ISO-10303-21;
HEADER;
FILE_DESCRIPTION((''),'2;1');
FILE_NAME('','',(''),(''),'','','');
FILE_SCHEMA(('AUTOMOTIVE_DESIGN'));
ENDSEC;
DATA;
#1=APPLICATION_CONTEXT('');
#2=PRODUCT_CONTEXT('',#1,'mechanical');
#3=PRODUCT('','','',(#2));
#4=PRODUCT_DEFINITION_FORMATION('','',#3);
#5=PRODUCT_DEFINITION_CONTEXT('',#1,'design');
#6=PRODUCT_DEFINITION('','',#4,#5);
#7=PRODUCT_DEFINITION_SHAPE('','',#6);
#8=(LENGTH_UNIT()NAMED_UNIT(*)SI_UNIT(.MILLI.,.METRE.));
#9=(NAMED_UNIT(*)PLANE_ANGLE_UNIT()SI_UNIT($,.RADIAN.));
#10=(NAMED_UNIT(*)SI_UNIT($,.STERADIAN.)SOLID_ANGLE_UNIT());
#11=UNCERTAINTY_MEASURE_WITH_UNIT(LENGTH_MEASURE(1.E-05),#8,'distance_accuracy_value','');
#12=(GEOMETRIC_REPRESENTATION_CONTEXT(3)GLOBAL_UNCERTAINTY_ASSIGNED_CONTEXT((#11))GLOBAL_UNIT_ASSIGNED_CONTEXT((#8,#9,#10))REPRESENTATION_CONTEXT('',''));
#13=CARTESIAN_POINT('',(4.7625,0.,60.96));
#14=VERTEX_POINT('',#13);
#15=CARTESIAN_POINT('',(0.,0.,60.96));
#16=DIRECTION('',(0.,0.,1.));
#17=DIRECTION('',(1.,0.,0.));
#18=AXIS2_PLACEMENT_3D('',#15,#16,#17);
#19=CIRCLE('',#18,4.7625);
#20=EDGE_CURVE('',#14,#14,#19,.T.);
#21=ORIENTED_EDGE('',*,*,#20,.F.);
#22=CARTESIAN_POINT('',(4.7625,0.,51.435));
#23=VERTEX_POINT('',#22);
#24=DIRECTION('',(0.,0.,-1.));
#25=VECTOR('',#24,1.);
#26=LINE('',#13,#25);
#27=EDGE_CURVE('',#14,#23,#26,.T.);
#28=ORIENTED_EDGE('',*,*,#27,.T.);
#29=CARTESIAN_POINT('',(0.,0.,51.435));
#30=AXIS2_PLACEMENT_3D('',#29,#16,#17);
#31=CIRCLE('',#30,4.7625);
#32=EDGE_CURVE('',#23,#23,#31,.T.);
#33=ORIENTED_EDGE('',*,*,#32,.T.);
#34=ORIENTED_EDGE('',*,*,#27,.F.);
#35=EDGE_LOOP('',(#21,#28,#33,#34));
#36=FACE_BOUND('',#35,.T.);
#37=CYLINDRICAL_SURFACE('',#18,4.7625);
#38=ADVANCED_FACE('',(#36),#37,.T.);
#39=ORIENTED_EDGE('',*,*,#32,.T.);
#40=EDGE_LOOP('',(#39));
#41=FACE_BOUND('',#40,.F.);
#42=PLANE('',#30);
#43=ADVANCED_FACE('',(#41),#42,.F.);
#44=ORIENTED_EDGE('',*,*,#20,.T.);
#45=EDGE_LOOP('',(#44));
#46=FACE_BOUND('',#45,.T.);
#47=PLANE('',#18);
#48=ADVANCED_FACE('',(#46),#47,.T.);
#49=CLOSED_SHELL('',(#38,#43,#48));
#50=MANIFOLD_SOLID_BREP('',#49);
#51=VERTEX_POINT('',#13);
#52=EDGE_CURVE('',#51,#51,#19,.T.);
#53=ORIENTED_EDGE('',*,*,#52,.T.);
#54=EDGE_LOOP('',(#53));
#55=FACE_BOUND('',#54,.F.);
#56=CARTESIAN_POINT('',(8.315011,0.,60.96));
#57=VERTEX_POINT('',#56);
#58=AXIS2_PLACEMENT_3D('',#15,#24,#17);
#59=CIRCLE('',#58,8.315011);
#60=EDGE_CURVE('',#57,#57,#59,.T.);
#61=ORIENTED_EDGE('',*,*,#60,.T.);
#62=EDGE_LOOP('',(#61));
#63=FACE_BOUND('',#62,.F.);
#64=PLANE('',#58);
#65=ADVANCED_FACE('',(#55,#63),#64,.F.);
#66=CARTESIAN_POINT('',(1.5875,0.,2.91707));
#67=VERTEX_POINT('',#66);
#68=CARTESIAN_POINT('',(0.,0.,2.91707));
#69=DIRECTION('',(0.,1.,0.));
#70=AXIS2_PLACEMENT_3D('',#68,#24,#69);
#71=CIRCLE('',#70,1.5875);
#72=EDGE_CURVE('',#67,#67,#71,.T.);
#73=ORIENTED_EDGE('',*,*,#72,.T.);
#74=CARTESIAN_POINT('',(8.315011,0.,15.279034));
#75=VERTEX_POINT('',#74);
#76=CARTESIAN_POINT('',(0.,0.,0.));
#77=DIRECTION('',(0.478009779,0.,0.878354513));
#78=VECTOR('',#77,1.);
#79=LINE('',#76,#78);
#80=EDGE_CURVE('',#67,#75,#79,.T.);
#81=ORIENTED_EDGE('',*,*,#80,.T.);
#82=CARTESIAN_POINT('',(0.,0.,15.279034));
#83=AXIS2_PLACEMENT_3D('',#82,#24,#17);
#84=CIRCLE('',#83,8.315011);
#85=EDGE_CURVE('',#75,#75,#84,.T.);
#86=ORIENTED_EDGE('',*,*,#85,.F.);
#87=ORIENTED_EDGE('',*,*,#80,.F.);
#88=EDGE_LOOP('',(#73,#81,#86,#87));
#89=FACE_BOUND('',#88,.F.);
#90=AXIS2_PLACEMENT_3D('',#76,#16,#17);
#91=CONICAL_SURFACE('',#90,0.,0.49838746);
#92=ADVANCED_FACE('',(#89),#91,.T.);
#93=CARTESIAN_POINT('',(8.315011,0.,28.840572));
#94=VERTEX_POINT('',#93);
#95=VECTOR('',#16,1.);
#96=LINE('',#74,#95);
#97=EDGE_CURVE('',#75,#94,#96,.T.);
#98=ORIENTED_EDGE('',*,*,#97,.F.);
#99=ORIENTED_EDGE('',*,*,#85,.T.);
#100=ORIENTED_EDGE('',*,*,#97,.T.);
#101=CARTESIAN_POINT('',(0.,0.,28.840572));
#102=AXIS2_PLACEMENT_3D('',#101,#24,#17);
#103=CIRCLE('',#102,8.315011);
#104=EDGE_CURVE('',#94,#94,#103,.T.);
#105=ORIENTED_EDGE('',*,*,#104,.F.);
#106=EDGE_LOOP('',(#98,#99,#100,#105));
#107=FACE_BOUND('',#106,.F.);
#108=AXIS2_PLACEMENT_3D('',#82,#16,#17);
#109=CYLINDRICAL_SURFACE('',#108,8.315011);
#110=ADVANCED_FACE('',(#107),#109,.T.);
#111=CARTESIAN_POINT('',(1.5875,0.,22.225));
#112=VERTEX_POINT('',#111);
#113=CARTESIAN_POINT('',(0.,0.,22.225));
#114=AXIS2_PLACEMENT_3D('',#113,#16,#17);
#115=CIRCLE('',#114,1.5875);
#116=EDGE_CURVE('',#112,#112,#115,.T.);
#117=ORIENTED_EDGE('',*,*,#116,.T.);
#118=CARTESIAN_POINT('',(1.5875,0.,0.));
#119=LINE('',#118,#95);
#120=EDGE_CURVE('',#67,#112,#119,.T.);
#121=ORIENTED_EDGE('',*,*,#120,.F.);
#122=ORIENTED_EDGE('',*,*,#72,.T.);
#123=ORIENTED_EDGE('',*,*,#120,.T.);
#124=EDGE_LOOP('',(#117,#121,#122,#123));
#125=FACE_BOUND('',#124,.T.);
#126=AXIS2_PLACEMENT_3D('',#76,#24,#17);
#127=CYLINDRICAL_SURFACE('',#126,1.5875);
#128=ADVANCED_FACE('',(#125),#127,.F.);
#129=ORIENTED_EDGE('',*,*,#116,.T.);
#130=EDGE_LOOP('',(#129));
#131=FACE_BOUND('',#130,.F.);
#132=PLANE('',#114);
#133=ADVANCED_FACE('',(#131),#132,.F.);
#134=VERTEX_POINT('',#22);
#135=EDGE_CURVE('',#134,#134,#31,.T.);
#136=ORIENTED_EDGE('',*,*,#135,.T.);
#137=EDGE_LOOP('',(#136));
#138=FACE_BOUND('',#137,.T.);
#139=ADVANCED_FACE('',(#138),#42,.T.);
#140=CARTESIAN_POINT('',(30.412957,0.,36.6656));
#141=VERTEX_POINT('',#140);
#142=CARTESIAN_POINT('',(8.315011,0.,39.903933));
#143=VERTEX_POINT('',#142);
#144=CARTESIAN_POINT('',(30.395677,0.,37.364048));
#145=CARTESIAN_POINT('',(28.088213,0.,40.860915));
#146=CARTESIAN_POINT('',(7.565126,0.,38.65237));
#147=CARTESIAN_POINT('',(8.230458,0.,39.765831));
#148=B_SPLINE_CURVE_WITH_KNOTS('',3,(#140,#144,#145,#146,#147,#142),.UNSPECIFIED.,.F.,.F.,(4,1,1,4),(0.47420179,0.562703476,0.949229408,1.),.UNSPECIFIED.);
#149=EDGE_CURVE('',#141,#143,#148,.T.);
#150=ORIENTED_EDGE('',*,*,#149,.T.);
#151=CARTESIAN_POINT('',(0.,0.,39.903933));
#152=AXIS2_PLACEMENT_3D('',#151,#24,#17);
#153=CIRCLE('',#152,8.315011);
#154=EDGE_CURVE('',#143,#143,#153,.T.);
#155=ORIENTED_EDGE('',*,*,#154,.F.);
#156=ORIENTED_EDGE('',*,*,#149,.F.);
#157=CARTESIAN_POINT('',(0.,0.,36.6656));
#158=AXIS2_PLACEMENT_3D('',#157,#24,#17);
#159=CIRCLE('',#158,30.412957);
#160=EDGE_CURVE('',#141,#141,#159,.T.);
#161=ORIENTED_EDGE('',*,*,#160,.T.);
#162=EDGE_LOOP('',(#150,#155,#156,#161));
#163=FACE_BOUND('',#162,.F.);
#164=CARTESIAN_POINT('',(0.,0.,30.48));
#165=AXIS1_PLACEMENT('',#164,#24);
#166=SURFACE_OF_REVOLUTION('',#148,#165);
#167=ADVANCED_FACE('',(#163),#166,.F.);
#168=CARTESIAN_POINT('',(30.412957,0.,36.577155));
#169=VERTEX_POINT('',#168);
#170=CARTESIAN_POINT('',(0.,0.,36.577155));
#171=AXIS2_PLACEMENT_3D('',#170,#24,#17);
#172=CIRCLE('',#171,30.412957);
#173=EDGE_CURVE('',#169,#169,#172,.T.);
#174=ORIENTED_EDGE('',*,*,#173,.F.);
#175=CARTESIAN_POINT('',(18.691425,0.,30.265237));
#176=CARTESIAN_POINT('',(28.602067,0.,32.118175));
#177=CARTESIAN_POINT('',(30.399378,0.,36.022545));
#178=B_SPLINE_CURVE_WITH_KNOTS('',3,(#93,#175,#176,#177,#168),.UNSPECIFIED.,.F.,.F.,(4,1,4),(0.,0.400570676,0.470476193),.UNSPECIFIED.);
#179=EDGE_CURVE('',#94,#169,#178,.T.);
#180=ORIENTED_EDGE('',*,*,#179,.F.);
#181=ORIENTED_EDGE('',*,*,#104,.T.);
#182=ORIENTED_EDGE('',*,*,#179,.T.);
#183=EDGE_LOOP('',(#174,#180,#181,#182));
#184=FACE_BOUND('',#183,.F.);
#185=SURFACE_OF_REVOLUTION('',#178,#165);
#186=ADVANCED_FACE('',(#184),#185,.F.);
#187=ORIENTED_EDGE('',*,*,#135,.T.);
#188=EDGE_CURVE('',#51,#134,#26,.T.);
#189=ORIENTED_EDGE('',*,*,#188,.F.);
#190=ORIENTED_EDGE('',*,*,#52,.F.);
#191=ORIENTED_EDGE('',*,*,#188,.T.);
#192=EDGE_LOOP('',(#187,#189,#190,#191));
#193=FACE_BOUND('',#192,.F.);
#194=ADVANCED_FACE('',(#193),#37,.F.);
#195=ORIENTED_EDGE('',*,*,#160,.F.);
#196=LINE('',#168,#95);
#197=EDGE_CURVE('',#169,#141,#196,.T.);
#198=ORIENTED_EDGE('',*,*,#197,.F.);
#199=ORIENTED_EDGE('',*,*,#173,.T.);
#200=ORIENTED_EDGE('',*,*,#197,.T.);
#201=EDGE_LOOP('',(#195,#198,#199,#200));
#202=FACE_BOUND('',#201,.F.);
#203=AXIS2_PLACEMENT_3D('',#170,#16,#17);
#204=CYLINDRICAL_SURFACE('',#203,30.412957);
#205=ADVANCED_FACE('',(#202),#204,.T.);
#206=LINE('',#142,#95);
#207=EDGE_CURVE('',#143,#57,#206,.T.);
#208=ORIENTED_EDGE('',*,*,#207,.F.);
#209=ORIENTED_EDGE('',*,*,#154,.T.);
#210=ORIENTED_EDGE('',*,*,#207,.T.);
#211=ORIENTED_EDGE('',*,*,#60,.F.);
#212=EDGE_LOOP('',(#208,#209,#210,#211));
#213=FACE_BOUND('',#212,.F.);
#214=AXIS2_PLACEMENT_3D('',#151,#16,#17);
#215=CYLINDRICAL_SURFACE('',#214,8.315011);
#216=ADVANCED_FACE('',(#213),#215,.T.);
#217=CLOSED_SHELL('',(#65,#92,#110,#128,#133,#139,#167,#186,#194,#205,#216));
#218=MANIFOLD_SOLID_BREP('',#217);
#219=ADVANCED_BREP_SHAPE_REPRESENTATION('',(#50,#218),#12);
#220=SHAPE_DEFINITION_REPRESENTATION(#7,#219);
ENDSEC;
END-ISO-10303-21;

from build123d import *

# Parameters (mm, degrees)
F2_R     = 4.7625
F3_DEPTH = 9.525
F4_DEPTH = 9.525
F5_R     = 1.5875
F6_DEPTH = 22.225


with BuildPart() as f1:
    # F0 (on Front) → F1 (revolve)
    with BuildSketch(Plane.XZ):
        with BuildLine():
            Line((0, 60.96), (0, 0))
            Line((0, 0), (8.315011056, 15.2790336204))
            Line((8.315011056, 15.2790336204), (8.315011056, 28.840571844))
            add(Edge.make_bspline(
                [(8.315011056, 28.840571844), (18.6914253173, 30.2652374729), (28.6020671273, 32.1181749891), (30.3993781488, 36.022545001), (30.4129573538, 36.577154624)],
                knots=[0, 0, 0, 0, 0.4005706761, 0.4704761927, 0.4704761927, 0.4704761927, 0.4704761927], degree=3))
            Line((30.4129573538, 36.577154624), (30.4129573538, 36.6655998046))
            add(Edge.make_bspline(
                [(30.4129573538, 36.6655998046), (30.3956767058, 37.3640475603), (28.0882131696, 40.8609150587), (7.5651257895, 38.6523696291), (8.2304579039, 39.7658310786), (8.315011056, 39.9039330631)],
                knots=[0.4742017901, 0.4742017901, 0.4742017901, 0.4742017901, 0.5627034759, 0.9492294083, 1, 1, 1, 1], degree=3))
            Line((8.315011056, 39.9039330631), (8.315011056, 60.96))
            Line((8.315011056, 60.96), (0, 60.96))
        make_face()
    revolve(axis=Axis((0, 0, 30.48), (0, 0, -1)))

    # F2 (on face) → F3 (cut)
    with BuildSketch(Plane.XY.offset(60.96)):
        Circle(F2_R)
    extrude(amount=-F3_DEPTH, mode=Mode.SUBTRACT)

    # F5 (on Top) → F6 (cut)
    with BuildSketch(Plane.XY):
        Circle(F5_R)
    extrude(amount=F6_DEPTH, mode=Mode.SUBTRACT)


with BuildPart() as f4:
    # F2 (on face) → F4 (new body)
    with BuildSketch(Plane.XY.offset(60.96)):
        Circle(F2_R)
    extrude(amount=-F4_DEPTH)


solid = Compound([f1.part, f4.part])
